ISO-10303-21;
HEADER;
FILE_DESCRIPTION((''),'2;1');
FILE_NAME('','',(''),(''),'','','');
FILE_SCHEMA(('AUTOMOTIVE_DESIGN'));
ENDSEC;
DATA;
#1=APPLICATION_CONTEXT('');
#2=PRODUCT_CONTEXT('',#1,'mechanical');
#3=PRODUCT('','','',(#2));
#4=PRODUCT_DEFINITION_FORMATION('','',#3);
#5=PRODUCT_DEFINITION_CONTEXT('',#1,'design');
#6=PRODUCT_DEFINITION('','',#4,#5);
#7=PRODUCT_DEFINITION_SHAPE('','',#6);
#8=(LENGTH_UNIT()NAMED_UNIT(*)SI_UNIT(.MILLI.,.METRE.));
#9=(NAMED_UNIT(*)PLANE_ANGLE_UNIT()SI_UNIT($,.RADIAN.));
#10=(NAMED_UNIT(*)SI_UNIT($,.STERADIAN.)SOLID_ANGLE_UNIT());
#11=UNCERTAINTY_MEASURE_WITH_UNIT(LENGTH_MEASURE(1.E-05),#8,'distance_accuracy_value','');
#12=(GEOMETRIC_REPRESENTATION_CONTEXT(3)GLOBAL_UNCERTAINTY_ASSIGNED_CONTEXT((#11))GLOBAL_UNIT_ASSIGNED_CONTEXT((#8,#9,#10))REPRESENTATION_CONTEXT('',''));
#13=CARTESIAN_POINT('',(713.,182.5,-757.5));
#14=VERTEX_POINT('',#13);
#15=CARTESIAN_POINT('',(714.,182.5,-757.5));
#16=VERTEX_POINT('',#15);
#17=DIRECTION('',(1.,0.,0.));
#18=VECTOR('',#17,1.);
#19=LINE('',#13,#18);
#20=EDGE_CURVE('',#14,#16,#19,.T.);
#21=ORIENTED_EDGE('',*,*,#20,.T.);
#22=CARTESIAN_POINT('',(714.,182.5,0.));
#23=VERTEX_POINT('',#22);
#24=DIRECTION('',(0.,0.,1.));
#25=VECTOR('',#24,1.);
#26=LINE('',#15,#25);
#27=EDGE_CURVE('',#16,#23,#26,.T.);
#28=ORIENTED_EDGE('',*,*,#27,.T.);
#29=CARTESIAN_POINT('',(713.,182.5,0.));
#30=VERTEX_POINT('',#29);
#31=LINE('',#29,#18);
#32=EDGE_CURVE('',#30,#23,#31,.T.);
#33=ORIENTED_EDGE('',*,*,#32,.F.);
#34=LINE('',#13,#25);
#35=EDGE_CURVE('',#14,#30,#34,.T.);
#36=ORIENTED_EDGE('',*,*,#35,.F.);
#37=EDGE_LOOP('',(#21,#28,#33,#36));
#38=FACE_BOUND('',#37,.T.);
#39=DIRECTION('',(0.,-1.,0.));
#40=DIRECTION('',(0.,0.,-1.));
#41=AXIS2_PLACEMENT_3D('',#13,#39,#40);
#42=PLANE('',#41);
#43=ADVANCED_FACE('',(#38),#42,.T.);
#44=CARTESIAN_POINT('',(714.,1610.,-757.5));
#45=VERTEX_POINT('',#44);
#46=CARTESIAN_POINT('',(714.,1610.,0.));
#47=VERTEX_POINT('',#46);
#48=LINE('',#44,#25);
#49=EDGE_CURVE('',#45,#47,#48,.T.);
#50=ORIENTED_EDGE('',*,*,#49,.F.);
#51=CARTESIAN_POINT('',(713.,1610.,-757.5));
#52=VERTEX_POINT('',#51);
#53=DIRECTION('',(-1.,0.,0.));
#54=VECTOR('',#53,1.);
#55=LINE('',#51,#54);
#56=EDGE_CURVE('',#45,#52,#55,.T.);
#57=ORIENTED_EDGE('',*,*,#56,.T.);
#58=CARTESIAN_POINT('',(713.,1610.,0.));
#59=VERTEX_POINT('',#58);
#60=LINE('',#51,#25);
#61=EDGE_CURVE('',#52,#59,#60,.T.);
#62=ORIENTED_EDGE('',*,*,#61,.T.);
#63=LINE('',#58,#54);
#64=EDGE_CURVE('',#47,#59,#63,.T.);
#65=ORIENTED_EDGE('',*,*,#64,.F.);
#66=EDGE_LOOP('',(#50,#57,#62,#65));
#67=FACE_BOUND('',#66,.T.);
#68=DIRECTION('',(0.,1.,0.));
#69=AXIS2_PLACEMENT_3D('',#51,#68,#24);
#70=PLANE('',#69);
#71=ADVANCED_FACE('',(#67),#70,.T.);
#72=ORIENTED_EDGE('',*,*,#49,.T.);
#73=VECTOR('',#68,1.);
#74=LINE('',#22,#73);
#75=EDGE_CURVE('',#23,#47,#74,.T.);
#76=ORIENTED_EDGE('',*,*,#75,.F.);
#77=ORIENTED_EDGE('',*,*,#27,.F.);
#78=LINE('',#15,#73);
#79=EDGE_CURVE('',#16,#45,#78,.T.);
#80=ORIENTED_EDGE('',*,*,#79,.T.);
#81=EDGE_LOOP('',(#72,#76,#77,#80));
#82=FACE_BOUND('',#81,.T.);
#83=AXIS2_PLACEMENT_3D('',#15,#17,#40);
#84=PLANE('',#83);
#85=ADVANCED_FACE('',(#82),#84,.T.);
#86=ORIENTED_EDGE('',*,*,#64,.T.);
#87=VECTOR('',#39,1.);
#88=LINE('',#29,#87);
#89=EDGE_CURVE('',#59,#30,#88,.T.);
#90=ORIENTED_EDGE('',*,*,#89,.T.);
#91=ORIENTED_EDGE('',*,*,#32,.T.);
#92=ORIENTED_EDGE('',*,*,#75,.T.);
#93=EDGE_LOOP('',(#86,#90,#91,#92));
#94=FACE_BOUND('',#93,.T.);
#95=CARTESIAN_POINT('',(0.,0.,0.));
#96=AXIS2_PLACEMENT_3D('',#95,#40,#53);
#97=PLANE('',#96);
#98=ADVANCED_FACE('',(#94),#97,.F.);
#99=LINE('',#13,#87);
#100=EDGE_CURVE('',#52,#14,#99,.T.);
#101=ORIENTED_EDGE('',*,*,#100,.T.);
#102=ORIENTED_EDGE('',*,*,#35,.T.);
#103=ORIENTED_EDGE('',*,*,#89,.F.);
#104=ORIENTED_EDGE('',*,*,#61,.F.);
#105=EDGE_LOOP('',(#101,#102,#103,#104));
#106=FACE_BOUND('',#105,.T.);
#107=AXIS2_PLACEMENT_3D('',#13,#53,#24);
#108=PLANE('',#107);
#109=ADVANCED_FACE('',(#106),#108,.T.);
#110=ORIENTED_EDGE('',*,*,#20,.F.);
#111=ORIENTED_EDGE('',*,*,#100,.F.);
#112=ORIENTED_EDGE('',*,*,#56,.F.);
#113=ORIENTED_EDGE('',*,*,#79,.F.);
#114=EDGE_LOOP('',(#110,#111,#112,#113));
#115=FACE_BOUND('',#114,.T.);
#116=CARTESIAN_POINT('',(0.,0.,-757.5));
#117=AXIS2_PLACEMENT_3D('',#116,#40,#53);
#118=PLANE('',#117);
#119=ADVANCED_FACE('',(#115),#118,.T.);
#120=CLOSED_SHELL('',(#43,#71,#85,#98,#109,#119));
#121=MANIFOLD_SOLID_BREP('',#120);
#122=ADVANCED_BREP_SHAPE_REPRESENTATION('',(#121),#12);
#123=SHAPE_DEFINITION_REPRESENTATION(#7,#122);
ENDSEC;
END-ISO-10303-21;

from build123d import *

# Parameters (mm, degrees)
SKETCH1_W                        = 1
SKETCH1_H                        = 1427.5
STORE_ORTA_BOLME_SAC_SAG_1_DEPTH = 757.5


with BuildPart() as part:
    # Sketch1 → STORE_orta_bolme_sac_sag_1 (new body)
    with BuildSketch(Plane.XY):
        with Locations((713.5, 896.25)):
            Rectangle(SKETCH1_W, SKETCH1_H)
    extrude(amount=-STORE_ORTA_BOLME_SAC_SAG_1_DEPTH)


solid = part.part
